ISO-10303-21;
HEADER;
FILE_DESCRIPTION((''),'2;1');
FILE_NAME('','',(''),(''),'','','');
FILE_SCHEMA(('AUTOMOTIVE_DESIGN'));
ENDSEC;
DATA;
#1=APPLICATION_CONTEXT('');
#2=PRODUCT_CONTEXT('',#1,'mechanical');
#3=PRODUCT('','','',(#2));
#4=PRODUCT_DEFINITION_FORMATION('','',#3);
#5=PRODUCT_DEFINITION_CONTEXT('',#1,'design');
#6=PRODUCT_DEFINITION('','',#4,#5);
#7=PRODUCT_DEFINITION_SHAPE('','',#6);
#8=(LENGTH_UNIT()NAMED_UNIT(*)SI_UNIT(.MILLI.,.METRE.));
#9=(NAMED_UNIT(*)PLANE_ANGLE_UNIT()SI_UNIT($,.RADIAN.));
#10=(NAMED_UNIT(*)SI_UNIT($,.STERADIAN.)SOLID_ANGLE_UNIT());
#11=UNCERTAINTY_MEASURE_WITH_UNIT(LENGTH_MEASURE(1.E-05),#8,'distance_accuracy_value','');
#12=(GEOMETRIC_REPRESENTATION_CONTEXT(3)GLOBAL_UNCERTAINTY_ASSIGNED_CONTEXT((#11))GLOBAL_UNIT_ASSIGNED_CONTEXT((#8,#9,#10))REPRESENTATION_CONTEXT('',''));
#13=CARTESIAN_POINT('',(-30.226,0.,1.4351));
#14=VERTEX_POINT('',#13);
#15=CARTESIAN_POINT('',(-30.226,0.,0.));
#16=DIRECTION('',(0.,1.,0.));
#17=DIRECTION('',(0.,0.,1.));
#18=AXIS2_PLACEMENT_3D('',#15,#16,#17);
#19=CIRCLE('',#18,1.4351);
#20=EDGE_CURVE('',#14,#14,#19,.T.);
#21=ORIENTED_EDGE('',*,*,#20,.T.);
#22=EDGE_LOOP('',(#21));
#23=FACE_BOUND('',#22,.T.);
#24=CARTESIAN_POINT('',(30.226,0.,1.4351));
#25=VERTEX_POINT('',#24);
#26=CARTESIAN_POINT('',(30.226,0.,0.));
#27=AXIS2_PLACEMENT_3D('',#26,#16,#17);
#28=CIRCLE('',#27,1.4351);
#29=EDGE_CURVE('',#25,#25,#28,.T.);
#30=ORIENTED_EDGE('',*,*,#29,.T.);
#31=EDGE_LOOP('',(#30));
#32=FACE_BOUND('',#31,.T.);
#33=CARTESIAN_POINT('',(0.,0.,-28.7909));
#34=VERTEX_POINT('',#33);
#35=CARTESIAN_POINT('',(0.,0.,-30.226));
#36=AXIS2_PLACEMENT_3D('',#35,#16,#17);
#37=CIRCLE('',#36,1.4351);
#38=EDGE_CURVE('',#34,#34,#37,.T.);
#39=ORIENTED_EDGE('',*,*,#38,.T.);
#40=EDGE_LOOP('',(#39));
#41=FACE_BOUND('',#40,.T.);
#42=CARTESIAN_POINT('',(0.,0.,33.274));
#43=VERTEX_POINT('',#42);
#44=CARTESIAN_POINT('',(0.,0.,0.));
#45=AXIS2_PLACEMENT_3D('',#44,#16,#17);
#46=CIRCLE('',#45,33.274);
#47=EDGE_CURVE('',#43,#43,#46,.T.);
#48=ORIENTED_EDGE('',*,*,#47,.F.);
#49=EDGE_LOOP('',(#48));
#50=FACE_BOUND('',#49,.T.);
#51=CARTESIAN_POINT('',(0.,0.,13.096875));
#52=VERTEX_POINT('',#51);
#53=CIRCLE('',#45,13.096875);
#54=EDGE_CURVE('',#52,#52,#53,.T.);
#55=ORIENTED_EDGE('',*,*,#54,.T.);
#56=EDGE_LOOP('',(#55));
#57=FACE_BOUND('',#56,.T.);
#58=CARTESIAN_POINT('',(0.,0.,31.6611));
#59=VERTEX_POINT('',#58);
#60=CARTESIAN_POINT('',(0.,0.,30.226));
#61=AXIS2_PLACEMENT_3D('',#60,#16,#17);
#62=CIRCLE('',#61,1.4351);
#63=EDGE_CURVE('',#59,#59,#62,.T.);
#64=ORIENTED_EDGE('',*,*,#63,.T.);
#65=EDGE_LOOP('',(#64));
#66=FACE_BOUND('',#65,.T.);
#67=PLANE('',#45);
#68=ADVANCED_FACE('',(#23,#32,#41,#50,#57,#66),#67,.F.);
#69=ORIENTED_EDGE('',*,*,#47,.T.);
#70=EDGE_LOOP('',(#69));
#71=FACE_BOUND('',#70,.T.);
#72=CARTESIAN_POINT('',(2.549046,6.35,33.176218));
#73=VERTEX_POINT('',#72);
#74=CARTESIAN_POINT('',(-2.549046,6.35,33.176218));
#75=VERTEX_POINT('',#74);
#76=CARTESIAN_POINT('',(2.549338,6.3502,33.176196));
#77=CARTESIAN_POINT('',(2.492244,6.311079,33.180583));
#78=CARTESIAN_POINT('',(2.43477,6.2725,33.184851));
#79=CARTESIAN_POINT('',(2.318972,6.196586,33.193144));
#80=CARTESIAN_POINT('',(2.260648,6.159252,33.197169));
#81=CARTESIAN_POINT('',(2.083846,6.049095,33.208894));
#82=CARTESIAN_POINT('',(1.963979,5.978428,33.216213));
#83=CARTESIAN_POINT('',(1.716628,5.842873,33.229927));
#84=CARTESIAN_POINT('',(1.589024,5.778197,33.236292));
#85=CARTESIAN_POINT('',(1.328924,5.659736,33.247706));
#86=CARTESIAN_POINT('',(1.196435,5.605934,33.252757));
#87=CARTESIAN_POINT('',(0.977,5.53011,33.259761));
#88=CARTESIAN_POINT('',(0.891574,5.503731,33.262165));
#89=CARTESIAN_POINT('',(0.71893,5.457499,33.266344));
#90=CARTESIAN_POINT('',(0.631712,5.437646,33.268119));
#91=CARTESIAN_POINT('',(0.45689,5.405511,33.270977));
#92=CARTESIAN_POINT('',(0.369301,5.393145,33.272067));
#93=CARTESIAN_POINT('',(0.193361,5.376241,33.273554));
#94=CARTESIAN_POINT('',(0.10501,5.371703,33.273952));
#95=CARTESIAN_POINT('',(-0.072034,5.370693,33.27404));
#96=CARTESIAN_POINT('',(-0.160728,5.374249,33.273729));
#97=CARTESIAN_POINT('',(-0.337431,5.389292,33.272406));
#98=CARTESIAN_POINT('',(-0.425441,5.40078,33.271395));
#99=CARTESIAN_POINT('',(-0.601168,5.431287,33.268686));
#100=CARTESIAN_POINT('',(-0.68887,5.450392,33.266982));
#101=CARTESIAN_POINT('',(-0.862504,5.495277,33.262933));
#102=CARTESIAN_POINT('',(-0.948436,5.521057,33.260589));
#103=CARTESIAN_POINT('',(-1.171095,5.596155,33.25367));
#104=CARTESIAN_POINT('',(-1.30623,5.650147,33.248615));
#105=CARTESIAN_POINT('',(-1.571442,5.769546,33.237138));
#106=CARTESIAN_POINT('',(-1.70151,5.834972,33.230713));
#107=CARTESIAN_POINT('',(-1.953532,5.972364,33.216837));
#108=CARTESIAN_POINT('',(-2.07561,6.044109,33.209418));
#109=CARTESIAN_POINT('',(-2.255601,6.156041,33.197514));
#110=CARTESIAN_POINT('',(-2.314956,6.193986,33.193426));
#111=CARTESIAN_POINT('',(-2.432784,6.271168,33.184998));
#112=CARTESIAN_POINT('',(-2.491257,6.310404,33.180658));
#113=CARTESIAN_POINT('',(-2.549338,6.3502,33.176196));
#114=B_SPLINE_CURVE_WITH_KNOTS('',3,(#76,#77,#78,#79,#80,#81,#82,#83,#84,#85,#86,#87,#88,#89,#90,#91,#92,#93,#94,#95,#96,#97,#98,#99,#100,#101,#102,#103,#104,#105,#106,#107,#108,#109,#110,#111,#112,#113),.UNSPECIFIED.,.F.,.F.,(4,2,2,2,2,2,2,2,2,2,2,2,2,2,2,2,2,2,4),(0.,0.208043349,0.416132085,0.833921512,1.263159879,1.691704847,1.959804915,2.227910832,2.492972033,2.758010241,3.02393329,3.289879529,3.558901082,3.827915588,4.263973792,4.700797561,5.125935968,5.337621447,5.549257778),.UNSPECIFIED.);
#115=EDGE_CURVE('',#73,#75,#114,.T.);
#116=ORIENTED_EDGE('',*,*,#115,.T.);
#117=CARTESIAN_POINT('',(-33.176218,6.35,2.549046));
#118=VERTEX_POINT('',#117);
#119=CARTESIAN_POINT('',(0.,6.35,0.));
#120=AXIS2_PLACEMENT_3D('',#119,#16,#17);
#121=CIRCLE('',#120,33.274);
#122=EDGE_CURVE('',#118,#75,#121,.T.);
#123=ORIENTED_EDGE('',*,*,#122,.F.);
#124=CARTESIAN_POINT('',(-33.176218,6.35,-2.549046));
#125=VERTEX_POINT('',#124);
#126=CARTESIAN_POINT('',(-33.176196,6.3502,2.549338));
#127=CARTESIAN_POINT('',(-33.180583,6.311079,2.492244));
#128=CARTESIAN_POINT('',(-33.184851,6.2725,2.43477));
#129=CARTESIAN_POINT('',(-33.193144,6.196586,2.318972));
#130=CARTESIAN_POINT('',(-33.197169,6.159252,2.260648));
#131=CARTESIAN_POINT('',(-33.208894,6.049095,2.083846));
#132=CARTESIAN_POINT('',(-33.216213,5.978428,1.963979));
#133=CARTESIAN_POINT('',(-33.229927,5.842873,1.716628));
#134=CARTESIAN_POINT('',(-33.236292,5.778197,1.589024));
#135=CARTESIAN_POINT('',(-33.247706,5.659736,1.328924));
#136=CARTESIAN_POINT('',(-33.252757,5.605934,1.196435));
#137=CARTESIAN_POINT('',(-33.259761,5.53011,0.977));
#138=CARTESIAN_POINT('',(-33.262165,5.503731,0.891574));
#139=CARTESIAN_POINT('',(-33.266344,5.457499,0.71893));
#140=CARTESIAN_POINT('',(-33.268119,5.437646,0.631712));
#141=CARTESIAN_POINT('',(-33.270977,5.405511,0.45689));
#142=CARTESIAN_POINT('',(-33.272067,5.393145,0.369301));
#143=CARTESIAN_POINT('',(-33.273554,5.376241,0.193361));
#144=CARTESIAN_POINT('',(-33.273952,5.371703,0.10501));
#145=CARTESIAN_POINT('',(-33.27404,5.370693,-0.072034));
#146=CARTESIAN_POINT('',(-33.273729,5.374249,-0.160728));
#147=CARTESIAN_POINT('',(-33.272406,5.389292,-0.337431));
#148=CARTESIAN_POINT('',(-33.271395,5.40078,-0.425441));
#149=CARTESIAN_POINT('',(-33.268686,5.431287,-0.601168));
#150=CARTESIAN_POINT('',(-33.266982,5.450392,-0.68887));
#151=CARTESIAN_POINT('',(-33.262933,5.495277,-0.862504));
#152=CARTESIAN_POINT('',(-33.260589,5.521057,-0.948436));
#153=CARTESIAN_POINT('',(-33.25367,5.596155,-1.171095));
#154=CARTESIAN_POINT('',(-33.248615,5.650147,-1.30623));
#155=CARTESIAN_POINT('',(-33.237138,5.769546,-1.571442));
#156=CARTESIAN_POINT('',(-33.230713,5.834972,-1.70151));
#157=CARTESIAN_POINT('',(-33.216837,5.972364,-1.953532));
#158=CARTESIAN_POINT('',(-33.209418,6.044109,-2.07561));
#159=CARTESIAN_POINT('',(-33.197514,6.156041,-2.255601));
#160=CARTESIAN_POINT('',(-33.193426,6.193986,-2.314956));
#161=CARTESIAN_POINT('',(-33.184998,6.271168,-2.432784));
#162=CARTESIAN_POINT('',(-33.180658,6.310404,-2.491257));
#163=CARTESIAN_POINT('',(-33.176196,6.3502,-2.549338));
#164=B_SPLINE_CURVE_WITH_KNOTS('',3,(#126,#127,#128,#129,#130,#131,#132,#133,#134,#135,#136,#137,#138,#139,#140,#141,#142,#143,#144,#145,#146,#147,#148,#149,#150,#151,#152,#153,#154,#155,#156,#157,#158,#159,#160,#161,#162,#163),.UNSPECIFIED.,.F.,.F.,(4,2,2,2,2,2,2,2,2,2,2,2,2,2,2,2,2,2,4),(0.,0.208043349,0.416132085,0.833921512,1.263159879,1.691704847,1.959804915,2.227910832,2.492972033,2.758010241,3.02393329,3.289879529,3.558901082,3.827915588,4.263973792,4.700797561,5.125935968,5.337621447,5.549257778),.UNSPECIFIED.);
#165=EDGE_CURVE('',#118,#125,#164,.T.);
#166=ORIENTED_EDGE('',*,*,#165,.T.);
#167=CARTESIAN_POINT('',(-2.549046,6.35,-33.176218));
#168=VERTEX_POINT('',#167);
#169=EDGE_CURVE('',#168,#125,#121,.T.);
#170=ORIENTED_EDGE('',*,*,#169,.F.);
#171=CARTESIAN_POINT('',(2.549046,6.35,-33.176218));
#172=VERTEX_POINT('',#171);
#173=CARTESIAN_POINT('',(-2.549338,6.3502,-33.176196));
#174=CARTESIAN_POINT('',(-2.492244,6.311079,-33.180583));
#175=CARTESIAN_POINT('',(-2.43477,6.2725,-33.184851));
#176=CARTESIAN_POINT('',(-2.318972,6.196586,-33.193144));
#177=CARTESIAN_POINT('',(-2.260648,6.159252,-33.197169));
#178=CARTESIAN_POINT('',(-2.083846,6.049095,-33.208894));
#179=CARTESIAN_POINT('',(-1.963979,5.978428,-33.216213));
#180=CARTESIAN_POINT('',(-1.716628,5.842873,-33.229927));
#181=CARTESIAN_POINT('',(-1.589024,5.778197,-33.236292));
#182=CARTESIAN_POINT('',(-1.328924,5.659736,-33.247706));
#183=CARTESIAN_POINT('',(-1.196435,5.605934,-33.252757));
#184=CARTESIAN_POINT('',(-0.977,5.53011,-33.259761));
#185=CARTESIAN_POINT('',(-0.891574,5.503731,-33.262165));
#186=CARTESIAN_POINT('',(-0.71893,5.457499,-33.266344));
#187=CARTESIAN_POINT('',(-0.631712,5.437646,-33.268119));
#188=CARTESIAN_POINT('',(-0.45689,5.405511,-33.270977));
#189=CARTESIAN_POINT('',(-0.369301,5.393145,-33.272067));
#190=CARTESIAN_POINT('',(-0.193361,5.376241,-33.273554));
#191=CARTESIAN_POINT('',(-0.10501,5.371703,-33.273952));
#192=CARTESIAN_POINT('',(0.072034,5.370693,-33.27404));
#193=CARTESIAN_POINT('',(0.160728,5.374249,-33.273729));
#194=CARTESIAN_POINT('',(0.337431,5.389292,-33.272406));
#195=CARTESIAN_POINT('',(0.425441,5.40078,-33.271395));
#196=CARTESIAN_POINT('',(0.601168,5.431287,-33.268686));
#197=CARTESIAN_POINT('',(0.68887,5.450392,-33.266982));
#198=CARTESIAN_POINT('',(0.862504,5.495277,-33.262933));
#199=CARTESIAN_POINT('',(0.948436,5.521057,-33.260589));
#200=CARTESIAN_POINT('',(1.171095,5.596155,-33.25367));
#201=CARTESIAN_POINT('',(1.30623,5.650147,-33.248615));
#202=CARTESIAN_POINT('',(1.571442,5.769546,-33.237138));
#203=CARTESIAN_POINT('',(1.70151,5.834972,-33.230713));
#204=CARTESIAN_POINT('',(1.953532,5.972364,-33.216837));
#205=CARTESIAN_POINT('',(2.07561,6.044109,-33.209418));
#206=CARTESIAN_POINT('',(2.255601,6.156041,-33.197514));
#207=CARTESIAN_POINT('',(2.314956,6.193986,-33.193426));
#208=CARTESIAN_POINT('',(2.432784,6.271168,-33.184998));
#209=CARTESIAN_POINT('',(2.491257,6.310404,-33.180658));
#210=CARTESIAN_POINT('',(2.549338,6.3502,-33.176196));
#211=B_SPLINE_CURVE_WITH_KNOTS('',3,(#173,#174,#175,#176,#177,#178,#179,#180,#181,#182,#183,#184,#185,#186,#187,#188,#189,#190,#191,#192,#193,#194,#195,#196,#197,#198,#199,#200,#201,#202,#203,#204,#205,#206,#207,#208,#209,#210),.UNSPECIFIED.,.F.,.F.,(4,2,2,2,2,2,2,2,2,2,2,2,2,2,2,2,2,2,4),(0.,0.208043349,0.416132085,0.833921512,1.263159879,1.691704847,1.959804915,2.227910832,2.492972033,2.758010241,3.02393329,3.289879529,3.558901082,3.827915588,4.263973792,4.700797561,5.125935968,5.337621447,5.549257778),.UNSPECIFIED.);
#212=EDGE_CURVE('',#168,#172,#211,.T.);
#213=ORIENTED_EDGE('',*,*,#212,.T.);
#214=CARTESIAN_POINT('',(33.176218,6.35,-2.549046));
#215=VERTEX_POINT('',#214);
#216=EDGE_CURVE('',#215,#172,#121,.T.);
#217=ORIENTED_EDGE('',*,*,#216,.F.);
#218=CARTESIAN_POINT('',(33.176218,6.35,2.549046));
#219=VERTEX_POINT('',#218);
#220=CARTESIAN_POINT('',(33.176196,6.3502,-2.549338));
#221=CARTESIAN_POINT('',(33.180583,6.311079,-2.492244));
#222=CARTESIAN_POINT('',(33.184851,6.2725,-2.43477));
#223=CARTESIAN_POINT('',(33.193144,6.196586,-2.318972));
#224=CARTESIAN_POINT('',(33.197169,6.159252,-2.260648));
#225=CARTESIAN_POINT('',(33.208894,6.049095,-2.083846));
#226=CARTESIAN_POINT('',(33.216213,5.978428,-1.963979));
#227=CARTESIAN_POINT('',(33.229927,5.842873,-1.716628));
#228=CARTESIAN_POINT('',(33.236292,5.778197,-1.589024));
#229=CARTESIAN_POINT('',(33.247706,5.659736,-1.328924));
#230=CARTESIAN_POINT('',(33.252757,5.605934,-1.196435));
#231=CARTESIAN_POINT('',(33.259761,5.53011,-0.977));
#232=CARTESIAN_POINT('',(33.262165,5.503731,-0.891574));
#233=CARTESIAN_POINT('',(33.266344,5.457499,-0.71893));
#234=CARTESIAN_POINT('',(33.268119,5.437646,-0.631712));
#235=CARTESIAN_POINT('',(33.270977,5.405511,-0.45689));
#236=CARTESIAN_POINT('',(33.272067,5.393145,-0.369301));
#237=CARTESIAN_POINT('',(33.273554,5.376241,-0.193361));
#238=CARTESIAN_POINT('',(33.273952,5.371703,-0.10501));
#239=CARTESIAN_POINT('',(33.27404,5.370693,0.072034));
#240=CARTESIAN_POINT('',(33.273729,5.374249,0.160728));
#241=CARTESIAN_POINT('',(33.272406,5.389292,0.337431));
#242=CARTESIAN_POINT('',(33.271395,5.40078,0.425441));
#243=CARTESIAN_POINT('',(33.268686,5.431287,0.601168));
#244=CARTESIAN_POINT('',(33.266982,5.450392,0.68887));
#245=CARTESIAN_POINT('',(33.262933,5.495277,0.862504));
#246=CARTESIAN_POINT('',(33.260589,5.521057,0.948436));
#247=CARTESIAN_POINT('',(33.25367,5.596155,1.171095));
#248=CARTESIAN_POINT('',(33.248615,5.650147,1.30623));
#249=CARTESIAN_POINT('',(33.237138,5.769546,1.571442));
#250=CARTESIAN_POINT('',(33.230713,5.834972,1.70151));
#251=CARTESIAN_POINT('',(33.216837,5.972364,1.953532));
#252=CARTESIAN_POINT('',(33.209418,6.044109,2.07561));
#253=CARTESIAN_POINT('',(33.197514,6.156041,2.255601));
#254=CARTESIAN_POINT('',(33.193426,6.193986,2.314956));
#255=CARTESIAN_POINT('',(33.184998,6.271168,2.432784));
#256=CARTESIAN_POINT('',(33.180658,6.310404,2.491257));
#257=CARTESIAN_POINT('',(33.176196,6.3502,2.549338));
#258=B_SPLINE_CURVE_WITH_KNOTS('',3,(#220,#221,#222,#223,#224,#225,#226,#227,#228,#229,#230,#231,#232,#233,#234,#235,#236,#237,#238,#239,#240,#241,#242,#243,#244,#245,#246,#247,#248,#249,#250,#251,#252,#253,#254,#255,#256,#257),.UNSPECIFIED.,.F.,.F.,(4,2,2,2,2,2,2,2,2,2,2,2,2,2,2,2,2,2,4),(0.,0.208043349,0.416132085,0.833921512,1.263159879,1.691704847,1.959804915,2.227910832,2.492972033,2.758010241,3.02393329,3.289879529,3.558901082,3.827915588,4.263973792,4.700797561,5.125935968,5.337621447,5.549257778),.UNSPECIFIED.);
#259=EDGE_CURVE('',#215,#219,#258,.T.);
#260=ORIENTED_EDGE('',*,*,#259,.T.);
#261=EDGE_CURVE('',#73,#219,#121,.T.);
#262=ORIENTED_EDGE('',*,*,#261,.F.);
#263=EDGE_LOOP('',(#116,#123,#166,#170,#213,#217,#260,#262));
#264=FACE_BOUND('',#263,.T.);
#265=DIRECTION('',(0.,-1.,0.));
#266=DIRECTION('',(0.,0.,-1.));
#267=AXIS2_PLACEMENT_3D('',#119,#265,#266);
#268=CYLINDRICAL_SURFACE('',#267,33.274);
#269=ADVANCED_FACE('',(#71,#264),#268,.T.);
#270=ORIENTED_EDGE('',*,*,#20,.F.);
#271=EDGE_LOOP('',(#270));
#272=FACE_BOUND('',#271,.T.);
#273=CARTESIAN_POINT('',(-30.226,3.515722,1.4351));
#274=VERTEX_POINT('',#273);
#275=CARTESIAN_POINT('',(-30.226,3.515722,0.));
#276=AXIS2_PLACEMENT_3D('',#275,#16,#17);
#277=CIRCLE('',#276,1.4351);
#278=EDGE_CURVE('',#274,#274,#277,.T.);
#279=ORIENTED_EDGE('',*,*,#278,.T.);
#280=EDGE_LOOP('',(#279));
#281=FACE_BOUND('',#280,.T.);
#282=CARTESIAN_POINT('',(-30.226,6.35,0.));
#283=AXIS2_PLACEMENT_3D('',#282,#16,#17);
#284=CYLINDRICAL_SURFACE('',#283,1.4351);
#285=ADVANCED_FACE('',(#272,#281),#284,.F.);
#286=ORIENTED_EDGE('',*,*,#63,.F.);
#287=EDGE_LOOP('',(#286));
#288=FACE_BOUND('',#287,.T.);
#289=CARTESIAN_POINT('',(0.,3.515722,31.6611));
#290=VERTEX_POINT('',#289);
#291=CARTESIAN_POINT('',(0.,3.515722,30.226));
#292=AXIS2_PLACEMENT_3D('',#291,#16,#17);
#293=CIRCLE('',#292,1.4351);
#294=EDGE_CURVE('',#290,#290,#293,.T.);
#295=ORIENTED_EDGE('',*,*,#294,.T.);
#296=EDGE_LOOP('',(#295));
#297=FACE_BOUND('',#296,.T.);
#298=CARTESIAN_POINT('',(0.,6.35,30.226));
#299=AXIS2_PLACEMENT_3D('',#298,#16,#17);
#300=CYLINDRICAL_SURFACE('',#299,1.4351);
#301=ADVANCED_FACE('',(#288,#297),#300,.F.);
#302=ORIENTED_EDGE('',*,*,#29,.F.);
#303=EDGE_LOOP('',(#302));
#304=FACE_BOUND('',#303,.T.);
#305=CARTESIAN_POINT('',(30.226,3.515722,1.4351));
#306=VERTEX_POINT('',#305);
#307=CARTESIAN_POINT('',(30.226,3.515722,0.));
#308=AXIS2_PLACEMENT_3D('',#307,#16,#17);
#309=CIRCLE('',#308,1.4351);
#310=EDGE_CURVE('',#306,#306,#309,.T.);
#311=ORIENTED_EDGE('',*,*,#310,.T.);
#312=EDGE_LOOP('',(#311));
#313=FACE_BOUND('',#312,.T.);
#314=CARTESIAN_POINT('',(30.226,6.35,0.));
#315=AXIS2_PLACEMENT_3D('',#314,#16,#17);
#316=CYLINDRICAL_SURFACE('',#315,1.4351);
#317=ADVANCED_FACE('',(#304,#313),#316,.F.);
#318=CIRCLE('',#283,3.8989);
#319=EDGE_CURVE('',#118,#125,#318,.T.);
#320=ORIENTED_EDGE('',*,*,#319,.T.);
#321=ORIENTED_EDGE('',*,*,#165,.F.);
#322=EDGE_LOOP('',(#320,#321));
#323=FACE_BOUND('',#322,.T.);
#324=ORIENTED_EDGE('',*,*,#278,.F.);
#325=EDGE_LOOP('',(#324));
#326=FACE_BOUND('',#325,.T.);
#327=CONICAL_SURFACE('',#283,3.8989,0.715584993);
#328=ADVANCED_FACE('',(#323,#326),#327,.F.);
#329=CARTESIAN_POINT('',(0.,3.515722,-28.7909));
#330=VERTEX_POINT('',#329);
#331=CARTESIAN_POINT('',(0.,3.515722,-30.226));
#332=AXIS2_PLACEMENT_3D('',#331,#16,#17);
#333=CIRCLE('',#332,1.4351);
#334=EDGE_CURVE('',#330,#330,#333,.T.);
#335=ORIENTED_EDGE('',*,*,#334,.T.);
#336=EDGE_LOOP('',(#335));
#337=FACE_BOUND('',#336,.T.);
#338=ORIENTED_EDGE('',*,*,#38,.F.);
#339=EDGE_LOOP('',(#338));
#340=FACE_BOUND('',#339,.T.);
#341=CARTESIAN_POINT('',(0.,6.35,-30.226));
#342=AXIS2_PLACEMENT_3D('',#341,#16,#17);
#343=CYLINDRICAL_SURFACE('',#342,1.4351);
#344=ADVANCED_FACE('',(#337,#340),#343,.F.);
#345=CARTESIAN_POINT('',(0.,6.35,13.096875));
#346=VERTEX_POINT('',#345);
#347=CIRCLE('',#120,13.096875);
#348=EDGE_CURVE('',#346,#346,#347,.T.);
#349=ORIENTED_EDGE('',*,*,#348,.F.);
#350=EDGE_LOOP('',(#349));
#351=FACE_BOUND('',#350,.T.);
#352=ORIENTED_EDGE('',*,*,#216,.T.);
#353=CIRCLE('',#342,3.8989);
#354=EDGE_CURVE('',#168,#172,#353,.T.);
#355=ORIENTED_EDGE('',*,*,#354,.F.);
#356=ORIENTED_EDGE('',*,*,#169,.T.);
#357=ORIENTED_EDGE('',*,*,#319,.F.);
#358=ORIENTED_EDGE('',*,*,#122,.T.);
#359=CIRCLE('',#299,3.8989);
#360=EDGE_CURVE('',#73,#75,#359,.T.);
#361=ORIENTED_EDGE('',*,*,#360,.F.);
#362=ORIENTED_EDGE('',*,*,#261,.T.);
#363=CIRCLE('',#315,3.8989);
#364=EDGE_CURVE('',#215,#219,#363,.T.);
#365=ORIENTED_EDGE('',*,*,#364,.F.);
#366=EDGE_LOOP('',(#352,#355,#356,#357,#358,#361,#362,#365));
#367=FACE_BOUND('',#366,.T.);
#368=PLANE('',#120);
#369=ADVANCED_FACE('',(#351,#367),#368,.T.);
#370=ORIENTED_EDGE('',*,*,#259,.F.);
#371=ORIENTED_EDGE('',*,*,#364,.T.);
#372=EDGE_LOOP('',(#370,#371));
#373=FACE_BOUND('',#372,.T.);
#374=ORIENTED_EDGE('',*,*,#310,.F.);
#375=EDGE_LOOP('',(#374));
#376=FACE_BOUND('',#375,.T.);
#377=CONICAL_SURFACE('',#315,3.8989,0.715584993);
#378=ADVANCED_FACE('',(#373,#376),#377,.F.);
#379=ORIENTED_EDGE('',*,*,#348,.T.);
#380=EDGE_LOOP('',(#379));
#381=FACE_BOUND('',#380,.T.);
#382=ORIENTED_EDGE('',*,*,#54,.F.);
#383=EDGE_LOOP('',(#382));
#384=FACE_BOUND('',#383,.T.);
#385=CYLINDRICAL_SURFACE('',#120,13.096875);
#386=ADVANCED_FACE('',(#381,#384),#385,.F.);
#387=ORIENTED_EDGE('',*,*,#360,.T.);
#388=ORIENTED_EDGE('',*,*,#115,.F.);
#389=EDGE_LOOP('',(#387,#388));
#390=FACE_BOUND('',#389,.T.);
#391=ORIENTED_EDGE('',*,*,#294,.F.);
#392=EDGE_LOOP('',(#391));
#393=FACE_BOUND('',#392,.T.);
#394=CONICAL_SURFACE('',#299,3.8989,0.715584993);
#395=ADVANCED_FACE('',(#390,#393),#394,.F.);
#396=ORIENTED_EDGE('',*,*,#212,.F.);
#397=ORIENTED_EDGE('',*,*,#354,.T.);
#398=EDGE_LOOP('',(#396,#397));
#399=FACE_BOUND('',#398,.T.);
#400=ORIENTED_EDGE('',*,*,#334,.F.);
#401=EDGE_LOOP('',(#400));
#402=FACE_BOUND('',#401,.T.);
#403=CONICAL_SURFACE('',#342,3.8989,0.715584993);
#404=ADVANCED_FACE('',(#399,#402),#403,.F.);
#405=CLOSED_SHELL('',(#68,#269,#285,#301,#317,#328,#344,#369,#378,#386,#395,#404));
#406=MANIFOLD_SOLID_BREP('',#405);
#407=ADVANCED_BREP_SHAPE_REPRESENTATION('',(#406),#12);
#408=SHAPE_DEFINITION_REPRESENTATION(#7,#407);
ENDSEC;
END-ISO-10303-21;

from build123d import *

# Parameters (mm, degrees)
SKETCH1_R                 = 33.274
BOSS_EXTRUDE1_DEPTH       = 6.35
PLATEMTGSCREW_D           = 2.8702
PLATEMTGSCREW_DEPTH       = 10.1854
PLATEMTGSCREW_CSINK_D     = 7.7978
PLATEMTGSCREW_CSINK_ANGLE = 82
PLATEMTGSCREW_TIP         = 0.862295074
SHAFTBORE_D               = 26.19375
SHAFTBORE_DEPTH           = 6.35
SHAFTBORE_TIP             = 7.86939642


with BuildPart() as part:
    # Sketch1 → Boss-Extrude1 (new body)
    with BuildSketch(Plane(origin=(0, 0, 0), x_dir=(1, 0, 0), z_dir=(0, 1, 0))):
        Circle(SKETCH1_R)
    extrude(amount=BOSS_EXTRUDE1_DEPTH)

    # PlateMtgScrew
    with Locations(Plane(origin=(0, 6.35, 0), x_dir=(1, 0, 0), z_dir=(0, 1, 0))):
        with Locations((0, 30.226), (-30.226, 0), (0, -30.226), (30.226, 0)):
            CounterSinkHole(PLATEMTGSCREW_D / 2, PLATEMTGSCREW_CSINK_D / 2, depth=PLATEMTGSCREW_DEPTH, counter_sink_angle=PLATEMTGSCREW_CSINK_ANGLE)
            with Locations((0, 0, -(PLATEMTGSCREW_DEPTH + PLATEMTGSCREW_TIP / 2))):  # 118° drill point
                Cone(0, PLATEMTGSCREW_D / 2, PLATEMTGSCREW_TIP, mode=Mode.SUBTRACT)

    # ShaftBore
    with Locations(Plane(origin=(0, 6.35, 0), x_dir=(1, 0, 0), z_dir=(0, 1, 0))):
        with Locations((0, 0)):
            Hole(SHAFTBORE_D / 2, depth=SHAFTBORE_DEPTH)
            with Locations((0, 0, -(SHAFTBORE_DEPTH + SHAFTBORE_TIP / 2))):  # 118° drill point
                Cone(0, SHAFTBORE_D / 2, SHAFTBORE_TIP, mode=Mode.SUBTRACT)


solid = part.part
